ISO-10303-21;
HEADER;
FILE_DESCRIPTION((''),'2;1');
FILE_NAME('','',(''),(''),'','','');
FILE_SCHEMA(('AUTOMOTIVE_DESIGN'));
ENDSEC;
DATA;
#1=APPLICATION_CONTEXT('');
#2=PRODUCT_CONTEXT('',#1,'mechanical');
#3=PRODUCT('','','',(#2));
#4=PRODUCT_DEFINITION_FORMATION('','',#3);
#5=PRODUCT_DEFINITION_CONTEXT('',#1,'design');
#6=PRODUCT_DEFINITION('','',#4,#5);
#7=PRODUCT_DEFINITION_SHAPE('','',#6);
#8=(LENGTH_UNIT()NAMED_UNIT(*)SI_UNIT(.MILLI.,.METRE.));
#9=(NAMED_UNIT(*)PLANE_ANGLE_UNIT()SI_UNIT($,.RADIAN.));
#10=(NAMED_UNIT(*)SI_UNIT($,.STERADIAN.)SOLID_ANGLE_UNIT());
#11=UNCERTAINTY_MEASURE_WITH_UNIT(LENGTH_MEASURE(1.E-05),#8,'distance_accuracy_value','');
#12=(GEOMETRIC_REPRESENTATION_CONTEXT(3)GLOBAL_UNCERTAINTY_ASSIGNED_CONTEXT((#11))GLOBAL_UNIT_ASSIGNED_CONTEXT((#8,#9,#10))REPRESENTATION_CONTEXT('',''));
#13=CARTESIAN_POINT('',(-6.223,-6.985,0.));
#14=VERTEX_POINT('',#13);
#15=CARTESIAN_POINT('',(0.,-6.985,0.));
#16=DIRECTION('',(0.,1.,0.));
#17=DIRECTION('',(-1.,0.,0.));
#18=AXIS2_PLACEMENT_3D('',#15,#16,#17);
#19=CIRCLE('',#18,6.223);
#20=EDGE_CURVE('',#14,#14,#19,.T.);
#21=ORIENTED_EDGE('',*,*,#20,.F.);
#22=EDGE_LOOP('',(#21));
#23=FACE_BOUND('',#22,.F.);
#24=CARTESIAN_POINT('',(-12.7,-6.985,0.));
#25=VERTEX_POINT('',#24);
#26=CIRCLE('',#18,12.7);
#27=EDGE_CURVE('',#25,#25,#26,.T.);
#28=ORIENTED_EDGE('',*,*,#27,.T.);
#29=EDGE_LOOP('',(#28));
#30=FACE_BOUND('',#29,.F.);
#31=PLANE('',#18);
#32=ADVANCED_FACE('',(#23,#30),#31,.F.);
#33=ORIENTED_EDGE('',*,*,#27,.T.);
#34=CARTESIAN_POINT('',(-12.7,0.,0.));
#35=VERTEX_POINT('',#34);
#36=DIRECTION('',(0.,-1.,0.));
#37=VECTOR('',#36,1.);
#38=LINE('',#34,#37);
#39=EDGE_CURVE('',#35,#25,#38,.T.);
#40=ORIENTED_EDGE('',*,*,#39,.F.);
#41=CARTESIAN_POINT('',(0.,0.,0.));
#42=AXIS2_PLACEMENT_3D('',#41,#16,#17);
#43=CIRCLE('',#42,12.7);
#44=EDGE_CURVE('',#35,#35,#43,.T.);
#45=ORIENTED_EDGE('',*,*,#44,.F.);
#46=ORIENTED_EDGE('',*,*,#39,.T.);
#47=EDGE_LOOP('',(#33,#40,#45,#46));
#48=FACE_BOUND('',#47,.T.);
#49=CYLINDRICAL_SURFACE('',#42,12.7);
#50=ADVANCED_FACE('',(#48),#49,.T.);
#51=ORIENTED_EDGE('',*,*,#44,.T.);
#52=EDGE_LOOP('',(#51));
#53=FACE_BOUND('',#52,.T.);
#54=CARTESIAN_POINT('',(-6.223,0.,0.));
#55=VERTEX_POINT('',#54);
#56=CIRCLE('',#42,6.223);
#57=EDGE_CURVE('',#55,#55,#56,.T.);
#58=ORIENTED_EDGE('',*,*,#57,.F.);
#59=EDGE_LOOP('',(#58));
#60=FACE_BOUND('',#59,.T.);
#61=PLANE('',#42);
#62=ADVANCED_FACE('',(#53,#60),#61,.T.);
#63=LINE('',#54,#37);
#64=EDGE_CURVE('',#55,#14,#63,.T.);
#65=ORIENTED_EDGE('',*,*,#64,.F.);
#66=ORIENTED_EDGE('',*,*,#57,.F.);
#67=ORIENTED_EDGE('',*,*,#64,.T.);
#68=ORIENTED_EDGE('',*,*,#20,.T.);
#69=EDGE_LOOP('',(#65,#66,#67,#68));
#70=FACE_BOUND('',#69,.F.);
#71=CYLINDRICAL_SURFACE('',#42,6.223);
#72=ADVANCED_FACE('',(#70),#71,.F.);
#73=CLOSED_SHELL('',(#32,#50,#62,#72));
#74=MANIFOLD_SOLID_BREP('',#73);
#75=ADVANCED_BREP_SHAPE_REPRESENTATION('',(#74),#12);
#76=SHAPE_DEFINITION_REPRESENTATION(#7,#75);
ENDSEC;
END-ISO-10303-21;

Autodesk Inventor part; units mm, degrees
ref_plane "YZ Plane" through (0, 0, 0) normal (1, 0, 0) x (0, 1, 0)
ref_plane "XZ Plane" through (0, 0, 0) normal (0, 1, 0) x (-1, 0, 0)
ref_plane "XY Plane" through (0, 0, 0) normal (0, 0, 1) x (1, 0, 0)
sketch "Sketch1" plane through (0, 0, 0) normal (0, 1, 0) x (-1, 0, 0)
  circle A0 centre (0, 0) radius 6.223
  circle A1 centre (0, 0) radius 12.7
  dimension "d0" = 12.446
  dimension "d1" = 25.4
extrude "Extrusion1" add sketch "Sketch1" against normal blind 6.985
equation "\"d0\" = insideDiameter"
equation "\"d1\" = outsideDiameter"
equation "\"d2\" = height"
equation "\"insideDiameter\" = 12.446"
equation "\"outsideDiameter\" = 25.4"
equation "\"height\" = 6.985"
properties part number "centerBushing" material "PC/ABS Plastic"
